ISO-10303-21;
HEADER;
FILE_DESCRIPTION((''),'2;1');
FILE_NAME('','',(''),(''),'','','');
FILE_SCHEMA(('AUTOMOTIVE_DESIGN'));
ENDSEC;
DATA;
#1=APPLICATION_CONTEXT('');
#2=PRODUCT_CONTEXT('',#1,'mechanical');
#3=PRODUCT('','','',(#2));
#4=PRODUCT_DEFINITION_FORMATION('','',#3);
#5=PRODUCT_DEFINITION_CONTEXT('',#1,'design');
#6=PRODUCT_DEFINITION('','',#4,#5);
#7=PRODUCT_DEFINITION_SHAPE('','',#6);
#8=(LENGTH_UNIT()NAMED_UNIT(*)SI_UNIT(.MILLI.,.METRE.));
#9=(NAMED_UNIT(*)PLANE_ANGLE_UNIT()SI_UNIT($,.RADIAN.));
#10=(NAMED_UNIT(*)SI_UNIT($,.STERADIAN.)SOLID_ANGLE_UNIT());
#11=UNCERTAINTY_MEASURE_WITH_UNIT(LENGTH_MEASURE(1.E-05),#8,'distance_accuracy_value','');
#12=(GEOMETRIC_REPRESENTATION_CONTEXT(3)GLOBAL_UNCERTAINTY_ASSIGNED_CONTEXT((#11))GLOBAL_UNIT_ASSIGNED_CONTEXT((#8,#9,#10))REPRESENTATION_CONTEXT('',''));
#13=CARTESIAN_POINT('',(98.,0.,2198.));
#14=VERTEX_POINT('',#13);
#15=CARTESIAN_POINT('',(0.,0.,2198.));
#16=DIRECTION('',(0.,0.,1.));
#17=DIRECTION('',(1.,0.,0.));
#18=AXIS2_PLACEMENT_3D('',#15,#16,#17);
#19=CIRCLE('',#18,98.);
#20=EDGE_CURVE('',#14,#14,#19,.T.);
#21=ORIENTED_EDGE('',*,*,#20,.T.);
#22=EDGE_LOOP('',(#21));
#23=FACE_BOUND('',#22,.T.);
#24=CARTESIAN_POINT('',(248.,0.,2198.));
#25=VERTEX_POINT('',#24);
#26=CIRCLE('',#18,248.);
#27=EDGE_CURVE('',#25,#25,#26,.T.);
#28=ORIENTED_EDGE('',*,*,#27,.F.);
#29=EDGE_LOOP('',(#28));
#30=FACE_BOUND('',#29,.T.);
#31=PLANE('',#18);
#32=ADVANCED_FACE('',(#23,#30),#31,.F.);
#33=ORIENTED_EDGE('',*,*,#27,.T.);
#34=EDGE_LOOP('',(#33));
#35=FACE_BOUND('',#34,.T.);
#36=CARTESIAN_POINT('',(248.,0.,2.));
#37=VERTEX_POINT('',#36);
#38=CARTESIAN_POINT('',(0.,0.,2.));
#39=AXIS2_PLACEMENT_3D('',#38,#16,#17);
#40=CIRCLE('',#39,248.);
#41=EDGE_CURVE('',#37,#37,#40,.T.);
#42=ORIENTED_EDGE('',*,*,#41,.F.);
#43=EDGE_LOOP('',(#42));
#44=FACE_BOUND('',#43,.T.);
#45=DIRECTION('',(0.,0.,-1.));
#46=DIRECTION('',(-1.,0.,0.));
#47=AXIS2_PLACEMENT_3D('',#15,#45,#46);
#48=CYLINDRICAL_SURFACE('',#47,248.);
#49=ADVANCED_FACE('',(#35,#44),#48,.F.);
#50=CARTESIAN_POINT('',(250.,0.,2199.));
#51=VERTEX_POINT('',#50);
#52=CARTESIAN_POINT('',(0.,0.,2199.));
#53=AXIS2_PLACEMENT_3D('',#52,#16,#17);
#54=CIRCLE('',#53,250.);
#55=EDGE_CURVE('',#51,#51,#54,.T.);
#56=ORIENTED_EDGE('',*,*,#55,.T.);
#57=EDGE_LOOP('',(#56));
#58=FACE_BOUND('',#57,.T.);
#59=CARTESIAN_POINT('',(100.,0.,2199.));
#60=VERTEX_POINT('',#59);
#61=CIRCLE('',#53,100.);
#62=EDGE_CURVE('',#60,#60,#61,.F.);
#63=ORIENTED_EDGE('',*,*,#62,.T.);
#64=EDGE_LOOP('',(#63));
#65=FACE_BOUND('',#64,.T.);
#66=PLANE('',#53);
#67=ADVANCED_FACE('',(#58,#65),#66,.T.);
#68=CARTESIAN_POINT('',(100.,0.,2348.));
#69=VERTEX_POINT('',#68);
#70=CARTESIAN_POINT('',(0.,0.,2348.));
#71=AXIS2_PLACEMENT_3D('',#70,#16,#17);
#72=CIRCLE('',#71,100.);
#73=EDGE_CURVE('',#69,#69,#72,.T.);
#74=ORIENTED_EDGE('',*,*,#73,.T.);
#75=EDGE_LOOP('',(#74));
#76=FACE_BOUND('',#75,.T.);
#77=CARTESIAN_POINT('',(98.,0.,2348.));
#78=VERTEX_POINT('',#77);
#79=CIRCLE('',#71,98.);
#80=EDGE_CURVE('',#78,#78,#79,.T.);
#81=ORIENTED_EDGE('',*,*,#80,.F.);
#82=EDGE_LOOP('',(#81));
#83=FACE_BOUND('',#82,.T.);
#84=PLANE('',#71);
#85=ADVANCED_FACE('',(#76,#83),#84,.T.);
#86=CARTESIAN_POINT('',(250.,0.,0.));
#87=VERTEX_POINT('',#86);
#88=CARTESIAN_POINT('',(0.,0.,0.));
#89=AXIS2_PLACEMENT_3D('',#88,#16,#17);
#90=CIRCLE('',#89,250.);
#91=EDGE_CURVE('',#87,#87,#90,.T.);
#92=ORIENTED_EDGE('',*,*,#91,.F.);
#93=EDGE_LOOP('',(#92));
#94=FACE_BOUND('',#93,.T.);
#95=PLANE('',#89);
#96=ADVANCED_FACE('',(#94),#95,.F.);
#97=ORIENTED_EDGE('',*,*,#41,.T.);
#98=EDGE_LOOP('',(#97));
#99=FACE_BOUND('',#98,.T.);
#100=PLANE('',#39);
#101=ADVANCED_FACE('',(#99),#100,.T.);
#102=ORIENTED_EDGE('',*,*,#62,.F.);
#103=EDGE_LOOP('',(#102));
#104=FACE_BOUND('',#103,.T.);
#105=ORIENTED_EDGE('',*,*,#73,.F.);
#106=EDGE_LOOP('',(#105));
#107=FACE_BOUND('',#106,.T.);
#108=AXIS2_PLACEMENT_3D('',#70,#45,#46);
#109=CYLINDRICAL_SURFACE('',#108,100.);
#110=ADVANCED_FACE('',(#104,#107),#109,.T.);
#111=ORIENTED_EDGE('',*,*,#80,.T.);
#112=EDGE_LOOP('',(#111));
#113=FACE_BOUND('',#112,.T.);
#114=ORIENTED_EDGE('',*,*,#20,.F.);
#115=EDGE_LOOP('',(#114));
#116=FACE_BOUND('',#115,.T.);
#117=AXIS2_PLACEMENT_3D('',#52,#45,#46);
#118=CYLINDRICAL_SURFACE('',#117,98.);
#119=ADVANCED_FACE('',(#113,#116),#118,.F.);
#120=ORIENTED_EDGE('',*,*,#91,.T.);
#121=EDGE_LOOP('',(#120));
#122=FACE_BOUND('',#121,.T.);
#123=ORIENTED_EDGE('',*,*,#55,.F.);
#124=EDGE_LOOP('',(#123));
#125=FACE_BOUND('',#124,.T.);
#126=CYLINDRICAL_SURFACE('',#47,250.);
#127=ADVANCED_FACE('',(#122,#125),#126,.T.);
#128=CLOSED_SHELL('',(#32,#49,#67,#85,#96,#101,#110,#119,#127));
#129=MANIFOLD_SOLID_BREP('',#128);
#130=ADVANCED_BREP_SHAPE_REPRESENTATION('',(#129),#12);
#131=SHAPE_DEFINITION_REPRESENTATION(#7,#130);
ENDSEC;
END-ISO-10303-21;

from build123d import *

# Parameters (mm, degrees)
SKETCH1_R           = 250
BOSS_EXTRUDE1_DEPTH = 2198
SHELL2_T            = -2
SKETCH2_R           = 100
SKETCH2_R_2         = 98
EXTRUDE_THIN1_DEPTH = 150
SKETCH3_R           = 250
SKETCH3_R_2         = 98
BOSS_EXTRUDE2_DEPTH = 1


with BuildPart() as part:
    # Sketch1 → Boss-Extrude1 (new body)
    with BuildSketch(Plane.XY):
        Circle(SKETCH1_R)
    extrude(amount=BOSS_EXTRUDE1_DEPTH)

    # Shell2
    shell2_openings = [part.faces().sort_by_distance(p)[0] for p in [
        (0, 0, 2198),
    ]]
    offset(amount=SHELL2_T, openings=shell2_openings, kind=Kind.INTERSECTION)



with BuildPart() as body_2:
    # Sketch2 → Extrude-Thin1 (new body)
    with BuildSketch(Plane.XY.offset(2198)):
        Circle(SKETCH2_R)
        Circle(SKETCH2_R_2, mode=Mode.SUBTRACT)
    extrude(amount=EXTRUDE_THIN1_DEPTH)


with BuildPart() as part_1:
    add(part.part)

    add(body_2.part)  # Boss-Extrude2 merges body 2
    # Sketch3 → Boss-Extrude2 (add)
    with BuildSketch(Plane.XY.offset(2198)):
        Circle(SKETCH3_R)
        Circle(SKETCH3_R_2, mode=Mode.SUBTRACT)
    extrude(amount=BOSS_EXTRUDE2_DEPTH)


solid = part_1.part
